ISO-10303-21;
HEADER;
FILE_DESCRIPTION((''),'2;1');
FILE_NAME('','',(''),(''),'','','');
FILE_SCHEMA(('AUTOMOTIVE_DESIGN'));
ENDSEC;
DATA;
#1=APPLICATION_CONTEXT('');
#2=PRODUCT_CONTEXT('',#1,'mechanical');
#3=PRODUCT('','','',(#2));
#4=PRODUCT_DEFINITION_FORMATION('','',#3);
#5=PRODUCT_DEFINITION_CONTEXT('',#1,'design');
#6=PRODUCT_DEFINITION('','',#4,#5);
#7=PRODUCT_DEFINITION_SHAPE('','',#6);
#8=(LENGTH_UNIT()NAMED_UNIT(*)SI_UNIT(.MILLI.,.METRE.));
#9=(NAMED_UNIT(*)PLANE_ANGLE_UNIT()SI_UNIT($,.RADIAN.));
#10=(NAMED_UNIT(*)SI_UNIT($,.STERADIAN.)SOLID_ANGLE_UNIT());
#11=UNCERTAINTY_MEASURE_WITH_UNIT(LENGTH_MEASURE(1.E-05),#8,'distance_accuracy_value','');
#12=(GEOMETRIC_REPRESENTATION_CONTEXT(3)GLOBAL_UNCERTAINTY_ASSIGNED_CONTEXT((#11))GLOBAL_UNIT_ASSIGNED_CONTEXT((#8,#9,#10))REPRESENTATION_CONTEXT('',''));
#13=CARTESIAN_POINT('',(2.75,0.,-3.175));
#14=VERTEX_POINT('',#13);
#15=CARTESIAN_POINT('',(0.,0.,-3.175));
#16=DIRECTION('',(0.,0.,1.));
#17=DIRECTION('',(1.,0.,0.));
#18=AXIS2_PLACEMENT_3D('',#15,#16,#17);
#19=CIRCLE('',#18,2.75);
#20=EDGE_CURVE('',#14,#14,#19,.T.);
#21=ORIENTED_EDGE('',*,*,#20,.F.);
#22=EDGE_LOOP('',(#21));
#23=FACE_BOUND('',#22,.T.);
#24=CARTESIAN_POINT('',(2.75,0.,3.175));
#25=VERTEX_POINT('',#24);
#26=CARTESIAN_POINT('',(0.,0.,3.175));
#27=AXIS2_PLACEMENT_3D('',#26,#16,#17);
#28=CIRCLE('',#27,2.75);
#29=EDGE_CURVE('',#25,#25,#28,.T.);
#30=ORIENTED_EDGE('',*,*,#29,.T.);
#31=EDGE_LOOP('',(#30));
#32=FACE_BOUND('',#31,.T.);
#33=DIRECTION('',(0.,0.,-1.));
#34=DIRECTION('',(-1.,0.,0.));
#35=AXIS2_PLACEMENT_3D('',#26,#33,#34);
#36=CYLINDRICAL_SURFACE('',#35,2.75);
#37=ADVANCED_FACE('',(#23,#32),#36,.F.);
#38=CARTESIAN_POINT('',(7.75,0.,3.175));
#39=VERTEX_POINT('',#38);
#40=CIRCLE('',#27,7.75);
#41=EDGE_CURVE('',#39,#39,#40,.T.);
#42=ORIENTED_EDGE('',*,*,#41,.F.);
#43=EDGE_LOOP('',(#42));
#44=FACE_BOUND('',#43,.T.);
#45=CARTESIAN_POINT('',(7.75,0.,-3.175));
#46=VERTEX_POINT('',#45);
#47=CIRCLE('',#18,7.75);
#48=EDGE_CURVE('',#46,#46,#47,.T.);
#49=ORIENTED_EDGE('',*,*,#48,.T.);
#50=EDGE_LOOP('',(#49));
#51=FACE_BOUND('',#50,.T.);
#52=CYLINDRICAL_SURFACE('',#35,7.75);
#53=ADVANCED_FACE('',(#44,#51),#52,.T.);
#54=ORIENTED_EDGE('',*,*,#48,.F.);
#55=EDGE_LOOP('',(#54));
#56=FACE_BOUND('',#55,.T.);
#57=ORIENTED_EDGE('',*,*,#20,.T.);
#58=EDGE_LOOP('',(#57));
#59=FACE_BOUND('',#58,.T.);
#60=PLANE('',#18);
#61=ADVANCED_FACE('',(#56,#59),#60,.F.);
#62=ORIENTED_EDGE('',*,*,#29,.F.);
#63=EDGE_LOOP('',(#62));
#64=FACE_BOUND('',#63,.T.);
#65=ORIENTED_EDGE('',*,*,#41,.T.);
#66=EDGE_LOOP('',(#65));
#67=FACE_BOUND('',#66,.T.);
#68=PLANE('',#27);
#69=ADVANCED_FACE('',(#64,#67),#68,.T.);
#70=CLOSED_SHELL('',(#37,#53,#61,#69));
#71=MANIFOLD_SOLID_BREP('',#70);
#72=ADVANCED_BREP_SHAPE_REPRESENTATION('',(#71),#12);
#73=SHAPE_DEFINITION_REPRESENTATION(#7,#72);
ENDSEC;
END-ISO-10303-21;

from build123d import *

# Parameters (mm, degrees)
SKETCH1_R           = 7.75
SKETCH1_R_2         = 2.75
BOSS_EXTRUDE1_DEPTH = 3.175


with BuildPart() as part:
    # Sketch1 → Boss-Extrude1 (new, symmetric)
    with BuildSketch(Plane.XY):
        Circle(SKETCH1_R)
        Circle(SKETCH1_R_2, mode=Mode.SUBTRACT)
    extrude(amount=BOSS_EXTRUDE1_DEPTH, both=True)


solid = part.part
